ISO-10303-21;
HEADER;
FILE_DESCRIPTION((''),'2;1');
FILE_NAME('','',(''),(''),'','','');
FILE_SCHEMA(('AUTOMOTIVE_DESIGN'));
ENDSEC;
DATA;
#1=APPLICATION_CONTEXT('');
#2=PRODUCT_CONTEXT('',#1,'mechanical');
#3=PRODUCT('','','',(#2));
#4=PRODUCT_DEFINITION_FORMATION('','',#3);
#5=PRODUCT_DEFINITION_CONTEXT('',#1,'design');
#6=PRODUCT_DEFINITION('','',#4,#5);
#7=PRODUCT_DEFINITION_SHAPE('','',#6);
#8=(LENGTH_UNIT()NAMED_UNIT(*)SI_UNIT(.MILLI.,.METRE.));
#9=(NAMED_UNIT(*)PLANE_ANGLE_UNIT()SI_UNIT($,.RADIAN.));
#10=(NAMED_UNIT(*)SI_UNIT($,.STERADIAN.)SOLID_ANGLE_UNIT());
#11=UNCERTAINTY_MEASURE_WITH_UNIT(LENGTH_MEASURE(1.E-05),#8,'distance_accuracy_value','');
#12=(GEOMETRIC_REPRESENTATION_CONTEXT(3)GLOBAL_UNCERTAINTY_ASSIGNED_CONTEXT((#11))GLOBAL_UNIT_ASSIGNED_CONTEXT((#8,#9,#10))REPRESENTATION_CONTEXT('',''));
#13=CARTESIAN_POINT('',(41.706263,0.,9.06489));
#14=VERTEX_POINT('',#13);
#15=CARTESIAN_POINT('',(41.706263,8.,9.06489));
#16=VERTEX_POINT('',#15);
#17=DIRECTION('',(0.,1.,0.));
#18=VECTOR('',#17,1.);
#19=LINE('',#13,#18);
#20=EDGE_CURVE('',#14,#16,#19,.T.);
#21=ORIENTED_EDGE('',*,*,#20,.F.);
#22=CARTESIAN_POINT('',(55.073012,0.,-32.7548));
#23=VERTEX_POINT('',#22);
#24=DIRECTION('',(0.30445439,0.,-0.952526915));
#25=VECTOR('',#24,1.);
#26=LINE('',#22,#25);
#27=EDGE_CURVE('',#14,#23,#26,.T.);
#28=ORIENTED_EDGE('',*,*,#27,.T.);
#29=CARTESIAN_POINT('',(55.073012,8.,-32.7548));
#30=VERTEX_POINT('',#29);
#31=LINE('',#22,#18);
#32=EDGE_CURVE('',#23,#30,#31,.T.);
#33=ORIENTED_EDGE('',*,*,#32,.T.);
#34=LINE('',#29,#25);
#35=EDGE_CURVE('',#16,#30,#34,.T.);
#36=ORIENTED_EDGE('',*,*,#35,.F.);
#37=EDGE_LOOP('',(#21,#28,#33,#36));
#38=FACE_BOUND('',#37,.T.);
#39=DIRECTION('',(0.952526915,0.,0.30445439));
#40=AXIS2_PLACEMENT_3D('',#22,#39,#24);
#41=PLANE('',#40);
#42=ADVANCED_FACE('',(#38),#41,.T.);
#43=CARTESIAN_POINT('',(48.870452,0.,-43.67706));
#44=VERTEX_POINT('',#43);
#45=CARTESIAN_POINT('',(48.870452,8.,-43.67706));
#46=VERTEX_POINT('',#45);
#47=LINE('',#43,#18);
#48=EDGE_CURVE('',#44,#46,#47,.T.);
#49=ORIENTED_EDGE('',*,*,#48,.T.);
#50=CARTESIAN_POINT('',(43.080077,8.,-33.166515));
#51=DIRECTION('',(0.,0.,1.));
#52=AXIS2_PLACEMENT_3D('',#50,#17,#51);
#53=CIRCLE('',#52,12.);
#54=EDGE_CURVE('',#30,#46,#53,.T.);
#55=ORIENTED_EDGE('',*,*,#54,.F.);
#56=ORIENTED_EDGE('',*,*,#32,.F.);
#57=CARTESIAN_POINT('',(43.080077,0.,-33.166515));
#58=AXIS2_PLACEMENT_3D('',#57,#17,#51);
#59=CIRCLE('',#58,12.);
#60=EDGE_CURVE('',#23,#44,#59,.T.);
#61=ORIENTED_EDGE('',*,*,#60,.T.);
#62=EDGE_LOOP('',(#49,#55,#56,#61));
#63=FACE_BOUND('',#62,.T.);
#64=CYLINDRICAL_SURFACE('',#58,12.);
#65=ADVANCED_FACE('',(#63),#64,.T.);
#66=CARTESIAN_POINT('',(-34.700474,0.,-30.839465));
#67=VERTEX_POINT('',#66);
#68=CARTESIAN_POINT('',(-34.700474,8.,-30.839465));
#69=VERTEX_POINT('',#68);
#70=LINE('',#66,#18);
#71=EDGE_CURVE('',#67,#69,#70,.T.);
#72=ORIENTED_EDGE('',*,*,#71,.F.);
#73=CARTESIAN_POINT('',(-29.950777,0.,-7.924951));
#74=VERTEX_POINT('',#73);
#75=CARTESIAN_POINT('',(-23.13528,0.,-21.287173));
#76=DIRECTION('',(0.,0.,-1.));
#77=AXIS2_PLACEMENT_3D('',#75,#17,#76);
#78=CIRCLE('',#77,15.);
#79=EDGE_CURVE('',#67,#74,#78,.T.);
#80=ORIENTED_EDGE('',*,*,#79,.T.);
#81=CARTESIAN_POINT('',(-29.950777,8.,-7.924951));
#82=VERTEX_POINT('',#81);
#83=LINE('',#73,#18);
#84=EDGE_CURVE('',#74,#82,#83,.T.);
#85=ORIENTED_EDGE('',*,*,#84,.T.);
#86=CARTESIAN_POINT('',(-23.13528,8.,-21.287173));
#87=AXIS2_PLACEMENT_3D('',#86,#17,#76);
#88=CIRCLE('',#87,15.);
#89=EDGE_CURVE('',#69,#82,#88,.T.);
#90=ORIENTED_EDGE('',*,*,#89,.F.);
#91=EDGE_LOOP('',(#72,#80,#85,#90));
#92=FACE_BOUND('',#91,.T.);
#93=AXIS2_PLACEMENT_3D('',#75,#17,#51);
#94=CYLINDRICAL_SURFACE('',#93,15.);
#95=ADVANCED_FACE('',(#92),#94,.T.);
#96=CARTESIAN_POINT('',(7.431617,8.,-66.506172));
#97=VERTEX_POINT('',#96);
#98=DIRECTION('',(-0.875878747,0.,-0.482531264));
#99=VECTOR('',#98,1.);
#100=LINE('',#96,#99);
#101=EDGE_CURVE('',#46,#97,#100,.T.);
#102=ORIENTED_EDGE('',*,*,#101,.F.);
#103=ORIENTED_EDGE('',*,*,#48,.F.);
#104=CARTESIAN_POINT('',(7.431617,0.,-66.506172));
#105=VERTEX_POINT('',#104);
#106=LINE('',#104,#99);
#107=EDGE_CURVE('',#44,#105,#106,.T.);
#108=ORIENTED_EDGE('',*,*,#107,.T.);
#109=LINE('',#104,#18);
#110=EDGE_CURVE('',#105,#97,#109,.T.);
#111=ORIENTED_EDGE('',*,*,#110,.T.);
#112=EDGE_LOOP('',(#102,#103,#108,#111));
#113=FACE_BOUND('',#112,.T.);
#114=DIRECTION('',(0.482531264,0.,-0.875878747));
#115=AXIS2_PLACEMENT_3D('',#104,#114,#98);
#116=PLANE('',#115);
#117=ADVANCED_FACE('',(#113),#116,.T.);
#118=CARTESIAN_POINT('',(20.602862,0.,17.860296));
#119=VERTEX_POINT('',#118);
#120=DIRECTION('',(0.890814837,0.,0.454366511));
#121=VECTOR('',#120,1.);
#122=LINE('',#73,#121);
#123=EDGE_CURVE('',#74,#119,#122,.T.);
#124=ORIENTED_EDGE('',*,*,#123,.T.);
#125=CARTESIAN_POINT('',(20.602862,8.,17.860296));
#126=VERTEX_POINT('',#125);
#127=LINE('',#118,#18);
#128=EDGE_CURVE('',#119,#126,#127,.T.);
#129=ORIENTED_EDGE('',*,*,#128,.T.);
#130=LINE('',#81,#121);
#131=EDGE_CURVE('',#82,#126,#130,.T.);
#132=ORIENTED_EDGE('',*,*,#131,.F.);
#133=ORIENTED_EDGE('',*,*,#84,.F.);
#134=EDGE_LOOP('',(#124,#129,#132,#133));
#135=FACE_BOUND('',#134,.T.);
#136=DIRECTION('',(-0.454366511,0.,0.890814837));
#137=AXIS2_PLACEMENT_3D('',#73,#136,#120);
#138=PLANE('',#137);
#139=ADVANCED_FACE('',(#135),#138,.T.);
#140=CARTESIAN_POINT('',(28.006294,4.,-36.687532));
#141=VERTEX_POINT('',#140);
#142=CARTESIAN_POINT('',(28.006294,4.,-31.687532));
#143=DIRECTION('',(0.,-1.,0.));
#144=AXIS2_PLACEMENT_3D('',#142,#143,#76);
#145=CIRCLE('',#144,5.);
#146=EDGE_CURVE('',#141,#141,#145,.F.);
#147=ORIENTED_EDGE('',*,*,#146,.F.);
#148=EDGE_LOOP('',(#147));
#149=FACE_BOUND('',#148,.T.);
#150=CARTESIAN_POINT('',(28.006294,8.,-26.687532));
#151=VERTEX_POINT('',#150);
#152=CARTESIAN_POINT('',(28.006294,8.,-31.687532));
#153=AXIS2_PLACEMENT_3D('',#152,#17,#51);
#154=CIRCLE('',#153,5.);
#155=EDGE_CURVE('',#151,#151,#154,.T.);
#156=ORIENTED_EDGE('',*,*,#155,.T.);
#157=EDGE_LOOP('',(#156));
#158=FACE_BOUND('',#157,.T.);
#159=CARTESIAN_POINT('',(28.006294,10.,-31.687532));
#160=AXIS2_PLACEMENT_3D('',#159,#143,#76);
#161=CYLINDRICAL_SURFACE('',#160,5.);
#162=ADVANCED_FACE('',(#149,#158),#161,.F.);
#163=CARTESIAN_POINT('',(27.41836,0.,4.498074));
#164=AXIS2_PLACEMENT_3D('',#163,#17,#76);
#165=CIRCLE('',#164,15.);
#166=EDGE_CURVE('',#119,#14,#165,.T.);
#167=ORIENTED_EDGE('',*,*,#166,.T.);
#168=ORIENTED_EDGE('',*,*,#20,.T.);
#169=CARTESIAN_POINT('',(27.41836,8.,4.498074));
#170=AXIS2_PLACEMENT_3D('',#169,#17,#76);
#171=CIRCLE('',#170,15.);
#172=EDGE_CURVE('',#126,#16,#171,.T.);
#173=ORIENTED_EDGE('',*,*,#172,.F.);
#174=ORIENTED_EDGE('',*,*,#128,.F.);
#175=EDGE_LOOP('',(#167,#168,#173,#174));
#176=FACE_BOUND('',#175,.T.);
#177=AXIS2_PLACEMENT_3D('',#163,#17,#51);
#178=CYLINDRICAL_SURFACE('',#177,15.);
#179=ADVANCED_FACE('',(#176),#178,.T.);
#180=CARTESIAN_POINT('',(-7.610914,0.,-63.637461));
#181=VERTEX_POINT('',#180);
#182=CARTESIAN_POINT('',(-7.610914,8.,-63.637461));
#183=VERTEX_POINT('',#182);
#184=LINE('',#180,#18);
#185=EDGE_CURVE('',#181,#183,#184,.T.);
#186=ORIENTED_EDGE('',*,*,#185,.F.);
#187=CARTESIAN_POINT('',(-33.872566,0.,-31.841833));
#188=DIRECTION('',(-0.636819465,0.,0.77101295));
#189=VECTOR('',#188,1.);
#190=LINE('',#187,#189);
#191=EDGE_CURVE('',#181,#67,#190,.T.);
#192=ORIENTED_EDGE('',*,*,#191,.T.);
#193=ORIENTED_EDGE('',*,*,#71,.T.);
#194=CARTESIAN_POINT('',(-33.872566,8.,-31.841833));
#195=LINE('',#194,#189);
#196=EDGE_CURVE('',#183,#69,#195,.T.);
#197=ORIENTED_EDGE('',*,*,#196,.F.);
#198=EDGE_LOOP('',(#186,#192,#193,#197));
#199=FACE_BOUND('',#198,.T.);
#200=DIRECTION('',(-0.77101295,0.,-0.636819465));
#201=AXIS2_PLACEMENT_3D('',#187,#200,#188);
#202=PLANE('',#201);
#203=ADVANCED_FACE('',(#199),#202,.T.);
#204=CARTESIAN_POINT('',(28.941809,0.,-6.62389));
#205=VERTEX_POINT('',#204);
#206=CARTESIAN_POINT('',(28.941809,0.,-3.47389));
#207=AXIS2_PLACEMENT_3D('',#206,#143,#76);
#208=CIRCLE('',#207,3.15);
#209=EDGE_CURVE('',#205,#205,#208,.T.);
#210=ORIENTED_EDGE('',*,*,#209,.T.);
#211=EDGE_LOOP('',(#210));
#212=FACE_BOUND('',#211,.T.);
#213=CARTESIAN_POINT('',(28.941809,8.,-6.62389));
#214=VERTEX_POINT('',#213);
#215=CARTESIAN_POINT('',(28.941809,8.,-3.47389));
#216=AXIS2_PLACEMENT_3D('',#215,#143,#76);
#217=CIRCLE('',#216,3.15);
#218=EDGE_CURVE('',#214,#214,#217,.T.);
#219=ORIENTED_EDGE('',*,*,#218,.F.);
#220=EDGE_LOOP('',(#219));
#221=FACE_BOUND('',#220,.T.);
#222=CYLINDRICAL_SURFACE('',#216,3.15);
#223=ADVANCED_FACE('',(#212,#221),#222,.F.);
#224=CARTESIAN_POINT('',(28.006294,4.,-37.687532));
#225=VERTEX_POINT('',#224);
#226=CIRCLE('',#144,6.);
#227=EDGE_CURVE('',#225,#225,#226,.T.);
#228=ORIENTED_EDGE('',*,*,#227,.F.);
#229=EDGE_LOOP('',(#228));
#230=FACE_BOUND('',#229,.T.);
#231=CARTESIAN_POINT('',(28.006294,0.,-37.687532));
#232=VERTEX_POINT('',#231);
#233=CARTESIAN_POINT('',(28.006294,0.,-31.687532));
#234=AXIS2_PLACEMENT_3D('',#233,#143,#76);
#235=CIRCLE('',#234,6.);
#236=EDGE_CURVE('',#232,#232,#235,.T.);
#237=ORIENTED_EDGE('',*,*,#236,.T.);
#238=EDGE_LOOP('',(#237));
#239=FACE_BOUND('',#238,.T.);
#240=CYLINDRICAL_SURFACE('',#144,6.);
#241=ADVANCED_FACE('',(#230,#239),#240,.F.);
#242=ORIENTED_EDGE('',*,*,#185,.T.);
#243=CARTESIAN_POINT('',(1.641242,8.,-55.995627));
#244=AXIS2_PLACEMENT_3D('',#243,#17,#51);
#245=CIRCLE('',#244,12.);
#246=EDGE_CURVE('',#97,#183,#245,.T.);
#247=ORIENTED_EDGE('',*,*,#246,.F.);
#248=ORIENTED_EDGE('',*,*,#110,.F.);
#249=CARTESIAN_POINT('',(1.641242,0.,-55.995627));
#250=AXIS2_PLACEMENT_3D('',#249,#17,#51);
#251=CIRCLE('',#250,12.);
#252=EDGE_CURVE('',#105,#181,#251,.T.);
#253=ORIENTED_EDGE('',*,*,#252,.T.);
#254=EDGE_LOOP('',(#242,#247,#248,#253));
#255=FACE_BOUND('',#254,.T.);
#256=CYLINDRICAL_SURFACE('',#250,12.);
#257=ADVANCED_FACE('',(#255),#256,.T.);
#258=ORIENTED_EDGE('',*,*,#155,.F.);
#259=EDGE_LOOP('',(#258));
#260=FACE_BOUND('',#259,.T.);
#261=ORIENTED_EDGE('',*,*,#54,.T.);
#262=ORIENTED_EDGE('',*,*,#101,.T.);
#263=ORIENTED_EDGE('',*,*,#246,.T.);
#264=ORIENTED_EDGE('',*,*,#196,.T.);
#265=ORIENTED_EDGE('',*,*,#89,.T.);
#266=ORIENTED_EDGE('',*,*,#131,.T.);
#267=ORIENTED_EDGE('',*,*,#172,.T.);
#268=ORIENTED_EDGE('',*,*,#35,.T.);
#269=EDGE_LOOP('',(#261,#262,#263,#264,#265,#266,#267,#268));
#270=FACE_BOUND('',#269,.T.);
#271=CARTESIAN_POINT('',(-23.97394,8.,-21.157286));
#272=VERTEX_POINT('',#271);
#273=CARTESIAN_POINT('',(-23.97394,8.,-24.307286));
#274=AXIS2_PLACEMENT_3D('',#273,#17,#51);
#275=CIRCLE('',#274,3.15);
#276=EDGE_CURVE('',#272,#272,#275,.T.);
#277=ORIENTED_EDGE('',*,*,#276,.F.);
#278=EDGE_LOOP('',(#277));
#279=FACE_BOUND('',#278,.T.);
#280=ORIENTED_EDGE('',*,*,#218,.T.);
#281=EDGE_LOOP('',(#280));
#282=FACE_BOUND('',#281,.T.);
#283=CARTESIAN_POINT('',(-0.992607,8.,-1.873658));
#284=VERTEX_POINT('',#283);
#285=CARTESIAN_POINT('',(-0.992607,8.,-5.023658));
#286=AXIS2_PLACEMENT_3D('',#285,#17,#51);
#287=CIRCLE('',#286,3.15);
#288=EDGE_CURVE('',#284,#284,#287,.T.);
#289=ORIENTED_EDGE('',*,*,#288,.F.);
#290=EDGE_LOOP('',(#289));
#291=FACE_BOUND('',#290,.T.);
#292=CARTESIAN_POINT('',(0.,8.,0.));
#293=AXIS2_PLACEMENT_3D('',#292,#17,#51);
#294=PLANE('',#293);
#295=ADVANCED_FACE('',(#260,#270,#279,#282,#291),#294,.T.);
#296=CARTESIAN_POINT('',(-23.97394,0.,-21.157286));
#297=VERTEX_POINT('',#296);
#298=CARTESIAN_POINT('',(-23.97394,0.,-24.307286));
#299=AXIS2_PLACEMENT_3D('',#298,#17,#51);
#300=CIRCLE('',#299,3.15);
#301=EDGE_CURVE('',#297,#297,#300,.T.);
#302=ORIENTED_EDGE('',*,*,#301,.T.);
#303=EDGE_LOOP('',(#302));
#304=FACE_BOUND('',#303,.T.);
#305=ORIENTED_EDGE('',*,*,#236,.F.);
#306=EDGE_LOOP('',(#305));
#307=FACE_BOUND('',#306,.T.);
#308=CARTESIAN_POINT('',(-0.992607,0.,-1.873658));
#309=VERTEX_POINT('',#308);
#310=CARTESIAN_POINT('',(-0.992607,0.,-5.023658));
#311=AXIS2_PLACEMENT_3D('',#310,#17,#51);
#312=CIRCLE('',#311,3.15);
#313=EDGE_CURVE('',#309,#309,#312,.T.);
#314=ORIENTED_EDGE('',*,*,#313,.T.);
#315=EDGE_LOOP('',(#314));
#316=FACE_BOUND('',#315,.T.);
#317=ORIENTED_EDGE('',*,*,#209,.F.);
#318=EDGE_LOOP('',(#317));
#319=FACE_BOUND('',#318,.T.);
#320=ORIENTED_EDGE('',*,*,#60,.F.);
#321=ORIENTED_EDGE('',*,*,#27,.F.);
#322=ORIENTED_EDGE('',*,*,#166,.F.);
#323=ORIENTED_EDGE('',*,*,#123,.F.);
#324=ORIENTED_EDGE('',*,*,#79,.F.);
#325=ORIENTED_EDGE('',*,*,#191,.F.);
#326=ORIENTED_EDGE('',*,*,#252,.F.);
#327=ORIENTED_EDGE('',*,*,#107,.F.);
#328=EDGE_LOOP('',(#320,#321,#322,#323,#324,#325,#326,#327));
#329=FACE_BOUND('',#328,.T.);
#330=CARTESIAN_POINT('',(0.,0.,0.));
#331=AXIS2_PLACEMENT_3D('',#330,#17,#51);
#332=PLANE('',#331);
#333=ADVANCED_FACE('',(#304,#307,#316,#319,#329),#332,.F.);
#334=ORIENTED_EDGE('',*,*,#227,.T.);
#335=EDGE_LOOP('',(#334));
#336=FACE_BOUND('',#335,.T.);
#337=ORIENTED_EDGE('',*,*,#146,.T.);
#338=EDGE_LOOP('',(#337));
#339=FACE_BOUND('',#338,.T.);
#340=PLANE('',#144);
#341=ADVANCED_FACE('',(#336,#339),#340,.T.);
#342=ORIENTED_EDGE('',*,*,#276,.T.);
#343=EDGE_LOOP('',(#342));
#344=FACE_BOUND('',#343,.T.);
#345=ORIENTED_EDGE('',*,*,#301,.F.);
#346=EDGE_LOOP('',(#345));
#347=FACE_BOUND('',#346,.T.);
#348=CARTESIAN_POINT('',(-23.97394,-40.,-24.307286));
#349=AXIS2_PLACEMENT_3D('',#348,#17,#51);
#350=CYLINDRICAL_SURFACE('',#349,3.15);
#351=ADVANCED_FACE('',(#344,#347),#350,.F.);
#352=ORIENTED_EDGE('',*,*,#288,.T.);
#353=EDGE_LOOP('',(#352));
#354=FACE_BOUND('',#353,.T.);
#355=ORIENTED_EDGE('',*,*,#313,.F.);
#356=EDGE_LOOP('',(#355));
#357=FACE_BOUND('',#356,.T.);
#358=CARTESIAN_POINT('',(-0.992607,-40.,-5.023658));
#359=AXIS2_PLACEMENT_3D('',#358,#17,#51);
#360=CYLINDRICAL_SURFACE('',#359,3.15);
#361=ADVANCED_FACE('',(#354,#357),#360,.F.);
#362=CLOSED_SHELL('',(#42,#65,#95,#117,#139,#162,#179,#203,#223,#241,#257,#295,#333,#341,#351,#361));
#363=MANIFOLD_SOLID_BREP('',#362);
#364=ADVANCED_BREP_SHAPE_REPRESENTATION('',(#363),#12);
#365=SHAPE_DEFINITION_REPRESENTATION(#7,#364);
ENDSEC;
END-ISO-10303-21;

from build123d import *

# Parameters (mm, degrees)
BOSS_EXTRUDE2_DEPTH = 8
CUT_EXTRUDE5_DEPTH  = 18.5
BOSS_EXTRUDE7_DEPTH = 8
SKETCH9_R           = 3.15
CUT_EXTRUDE6_DEPTH  = 8
CUT_EXTRUDE8_DEPTH  = 8
BOSS_EXTRUDE8_DEPTH = 8
SKETCH14_R          = 5
CUT_EXTRUDE10_DEPTH = 10
SKETCH15_R          = 6
CUT_EXTRUDE11_DEPTH = 4
SKETCH2_R           = 3.15
CUT_EXTRUDE12_DEPTH = 48


with BuildPart() as part:
    # Sketch1 → Boss-Extrude2 (new body)
    with BuildSketch(Plane(origin=(0, 0, 0), x_dir=(1, 0, 0), z_dir=(0, 1, 0))):
        Polygon((-36.064195387, 30.19821093), (-36.064195387, 45.055140387), (-24.456215945, 60.508200645), (25.928290152, 75.028423128), (63.192701615, 49.978777876), (57.8600206, 4.654046233), (5.024212079, -12.575443702), (-26.79369062, -0.934399252), align=None)
    extrude(amount=BOSS_EXTRUDE2_DEPTH)

    # Sketch7 → Cut-Extrude5 (cut)
    with BuildSketch(Plane(origin=(0, 8, 0), x_dir=(1, 0, 0), z_dir=(0, 1, 0))):
        Polygon((-23.90080129, 101.032848336), (-57.901406204, 20.736967462), (-18.158957139, -32.533824917), (87.924213713, -9.961236853), (85.311975199, 49.315634488), align=None)
        Polygon((-40.820623888, 23.42964982), (-5.371906334, -12.019067733), (42.940552226, -17.400063196), (73.057764711, 41.083606285), (-8.197554073, 82.927487203), align=None, mode=Mode.SUBTRACT)
    extrude(amount=-CUT_EXTRUDE5_DEPTH, mode=Mode.SUBTRACT)

    # Sketch8 → Boss-Extrude7 (add)
    with BuildSketch(Plane(origin=(0, 8, 0), x_dir=(1, 0, 0), z_dir=(0, 1, 0))):
        Polygon((-8.197554073, 82.927487203), (-40.820623888, 23.42964982), (-5.371906334, -12.019067733), (42.940552226, -17.400063196), (73.057764711, 41.083606285), align=None)
        Polygon((7.41963674, 62.005546744), (-9.746922841, 64.747246038), (-32.401642497, 23.42964982), (0, -4.674812176), (46.197479834, 11.841771544), (56.025503799, 35.943618774), align=None, mode=Mode.SUBTRACT)
    extrude(amount=-BOSS_EXTRUDE7_DEPTH)

    # Sketch9 → Cut-Extrude6 (cut)
    with BuildSketch(Plane(origin=(0, 0, 0), x_dir=(-1, 0, 0), z_dir=(0, -1, 0))):
        with Locations((-28.941808693, 3.473889793)):
            Circle(SKETCH9_R)
    extrude(amount=-CUT_EXTRUDE6_DEPTH, mode=Mode.SUBTRACT)

    # Sketch10 → Cut-Extrude8 (cut)
    with BuildSketch(Plane(origin=(0, 8, 0), x_dir=(1, 0, 0), z_dir=(0, 1, 0))):
        Polygon((-51.027907223, 26.499697203), (-18.337970987, 89.979258173), (70.618900133, 64.73001084), (85.862243499, 8.329361683), (41.198193823, -31.646717715), (-23.676019088, -9.814381331), align=None)
        with BuildLine():
            Line((-33.872566493, 31.841833363), (-7.610913822, 63.637460521))
            ThreePointArc((-7.610913822, 63.637460521), (-0.606725689, 67.783190008), (7.431616747, 66.506171896))
            Line((7.431616747, 66.506171896), (48.870452229, 43.677060264))
            ThreePointArc((48.870452229, 43.677060264), (53.514897305, 39.092266426), (55.073012074, 32.754799821))
            Line((55.073012074, 32.754799821), (41.706263242, -9.064889609))
            ThreePointArc((41.706263242, -9.064889609), (33.18888877, -18.343686498), (20.602861854, -17.860296318))
            Line((20.602861854, -17.860296318), (-29.950777497, 7.924950794))
            ThreePointArc((-29.950777497, 7.924950794), (-37.823070784, 18.242703419), (-34.700474084, 30.839465332))
            Line((-34.700474084, 30.839465332), (-33.872566493, 31.841833363))
        make_face(mode=Mode.SUBTRACT)
    extrude(amount=-CUT_EXTRUDE8_DEPTH, mode=Mode.SUBTRACT)

    # Sketch12 → Boss-Extrude8 (add)
    with BuildSketch(Plane(origin=(0, 8, 0), x_dir=(1, 0, 0), z_dir=(0, 1, 0))):
        with BuildLine():
            Line((-34.700474084, 30.839465332), (-23.799416497, 10.878604368))
            Line((-23.799416497, 10.878604368), (16.273254251, -10.775107124))
            Line((16.273254251, -10.775107124), (41.706263242, -9.064889609))
            ThreePointArc((41.706263242, -9.064889609), (33.18888877, -18.343686498), (20.602861854, -17.860296318))
            Line((20.602861854, -17.860296318), (-29.950777497, 7.924950794))
            ThreePointArc((-29.950777497, 7.924950794), (-37.823070784, 18.242703419), (-34.700474084, 30.839465332))
        make_face()
    extrude(amount=-BOSS_EXTRUDE8_DEPTH)

    # Sketch14 → Cut-Extrude10 (cut)
    with BuildSketch(Plane(origin=(0, 0, 0), x_dir=(-1, 0, 0), z_dir=(0, -1, 0))):
        with Locations((-28.006293823, 31.687531628)):
            Circle(SKETCH14_R)
    extrude(amount=-CUT_EXTRUDE10_DEPTH, mode=Mode.SUBTRACT)

    # Sketch15 → Cut-Extrude11 (cut)
    with BuildSketch(Plane.XZ):
        with Locations((28.006293823, -31.687531628)):
            Circle(SKETCH15_R)
    extrude(amount=-CUT_EXTRUDE11_DEPTH, mode=Mode.SUBTRACT)

    # Sketch2 → Cut-Extrude12 (cut)
    with BuildSketch(Plane(origin=(0, 8, 0), x_dir=(1, 0, 0), z_dir=(0, 1, 0))):
        with Locations((-0.992606529, 5.023658057)):
            Circle(SKETCH2_R)
        with Locations((-23.973939823, 24.307286348)):
            Circle(SKETCH2_R)
    extrude(amount=-CUT_EXTRUDE12_DEPTH, mode=Mode.SUBTRACT)


solid = part.part
